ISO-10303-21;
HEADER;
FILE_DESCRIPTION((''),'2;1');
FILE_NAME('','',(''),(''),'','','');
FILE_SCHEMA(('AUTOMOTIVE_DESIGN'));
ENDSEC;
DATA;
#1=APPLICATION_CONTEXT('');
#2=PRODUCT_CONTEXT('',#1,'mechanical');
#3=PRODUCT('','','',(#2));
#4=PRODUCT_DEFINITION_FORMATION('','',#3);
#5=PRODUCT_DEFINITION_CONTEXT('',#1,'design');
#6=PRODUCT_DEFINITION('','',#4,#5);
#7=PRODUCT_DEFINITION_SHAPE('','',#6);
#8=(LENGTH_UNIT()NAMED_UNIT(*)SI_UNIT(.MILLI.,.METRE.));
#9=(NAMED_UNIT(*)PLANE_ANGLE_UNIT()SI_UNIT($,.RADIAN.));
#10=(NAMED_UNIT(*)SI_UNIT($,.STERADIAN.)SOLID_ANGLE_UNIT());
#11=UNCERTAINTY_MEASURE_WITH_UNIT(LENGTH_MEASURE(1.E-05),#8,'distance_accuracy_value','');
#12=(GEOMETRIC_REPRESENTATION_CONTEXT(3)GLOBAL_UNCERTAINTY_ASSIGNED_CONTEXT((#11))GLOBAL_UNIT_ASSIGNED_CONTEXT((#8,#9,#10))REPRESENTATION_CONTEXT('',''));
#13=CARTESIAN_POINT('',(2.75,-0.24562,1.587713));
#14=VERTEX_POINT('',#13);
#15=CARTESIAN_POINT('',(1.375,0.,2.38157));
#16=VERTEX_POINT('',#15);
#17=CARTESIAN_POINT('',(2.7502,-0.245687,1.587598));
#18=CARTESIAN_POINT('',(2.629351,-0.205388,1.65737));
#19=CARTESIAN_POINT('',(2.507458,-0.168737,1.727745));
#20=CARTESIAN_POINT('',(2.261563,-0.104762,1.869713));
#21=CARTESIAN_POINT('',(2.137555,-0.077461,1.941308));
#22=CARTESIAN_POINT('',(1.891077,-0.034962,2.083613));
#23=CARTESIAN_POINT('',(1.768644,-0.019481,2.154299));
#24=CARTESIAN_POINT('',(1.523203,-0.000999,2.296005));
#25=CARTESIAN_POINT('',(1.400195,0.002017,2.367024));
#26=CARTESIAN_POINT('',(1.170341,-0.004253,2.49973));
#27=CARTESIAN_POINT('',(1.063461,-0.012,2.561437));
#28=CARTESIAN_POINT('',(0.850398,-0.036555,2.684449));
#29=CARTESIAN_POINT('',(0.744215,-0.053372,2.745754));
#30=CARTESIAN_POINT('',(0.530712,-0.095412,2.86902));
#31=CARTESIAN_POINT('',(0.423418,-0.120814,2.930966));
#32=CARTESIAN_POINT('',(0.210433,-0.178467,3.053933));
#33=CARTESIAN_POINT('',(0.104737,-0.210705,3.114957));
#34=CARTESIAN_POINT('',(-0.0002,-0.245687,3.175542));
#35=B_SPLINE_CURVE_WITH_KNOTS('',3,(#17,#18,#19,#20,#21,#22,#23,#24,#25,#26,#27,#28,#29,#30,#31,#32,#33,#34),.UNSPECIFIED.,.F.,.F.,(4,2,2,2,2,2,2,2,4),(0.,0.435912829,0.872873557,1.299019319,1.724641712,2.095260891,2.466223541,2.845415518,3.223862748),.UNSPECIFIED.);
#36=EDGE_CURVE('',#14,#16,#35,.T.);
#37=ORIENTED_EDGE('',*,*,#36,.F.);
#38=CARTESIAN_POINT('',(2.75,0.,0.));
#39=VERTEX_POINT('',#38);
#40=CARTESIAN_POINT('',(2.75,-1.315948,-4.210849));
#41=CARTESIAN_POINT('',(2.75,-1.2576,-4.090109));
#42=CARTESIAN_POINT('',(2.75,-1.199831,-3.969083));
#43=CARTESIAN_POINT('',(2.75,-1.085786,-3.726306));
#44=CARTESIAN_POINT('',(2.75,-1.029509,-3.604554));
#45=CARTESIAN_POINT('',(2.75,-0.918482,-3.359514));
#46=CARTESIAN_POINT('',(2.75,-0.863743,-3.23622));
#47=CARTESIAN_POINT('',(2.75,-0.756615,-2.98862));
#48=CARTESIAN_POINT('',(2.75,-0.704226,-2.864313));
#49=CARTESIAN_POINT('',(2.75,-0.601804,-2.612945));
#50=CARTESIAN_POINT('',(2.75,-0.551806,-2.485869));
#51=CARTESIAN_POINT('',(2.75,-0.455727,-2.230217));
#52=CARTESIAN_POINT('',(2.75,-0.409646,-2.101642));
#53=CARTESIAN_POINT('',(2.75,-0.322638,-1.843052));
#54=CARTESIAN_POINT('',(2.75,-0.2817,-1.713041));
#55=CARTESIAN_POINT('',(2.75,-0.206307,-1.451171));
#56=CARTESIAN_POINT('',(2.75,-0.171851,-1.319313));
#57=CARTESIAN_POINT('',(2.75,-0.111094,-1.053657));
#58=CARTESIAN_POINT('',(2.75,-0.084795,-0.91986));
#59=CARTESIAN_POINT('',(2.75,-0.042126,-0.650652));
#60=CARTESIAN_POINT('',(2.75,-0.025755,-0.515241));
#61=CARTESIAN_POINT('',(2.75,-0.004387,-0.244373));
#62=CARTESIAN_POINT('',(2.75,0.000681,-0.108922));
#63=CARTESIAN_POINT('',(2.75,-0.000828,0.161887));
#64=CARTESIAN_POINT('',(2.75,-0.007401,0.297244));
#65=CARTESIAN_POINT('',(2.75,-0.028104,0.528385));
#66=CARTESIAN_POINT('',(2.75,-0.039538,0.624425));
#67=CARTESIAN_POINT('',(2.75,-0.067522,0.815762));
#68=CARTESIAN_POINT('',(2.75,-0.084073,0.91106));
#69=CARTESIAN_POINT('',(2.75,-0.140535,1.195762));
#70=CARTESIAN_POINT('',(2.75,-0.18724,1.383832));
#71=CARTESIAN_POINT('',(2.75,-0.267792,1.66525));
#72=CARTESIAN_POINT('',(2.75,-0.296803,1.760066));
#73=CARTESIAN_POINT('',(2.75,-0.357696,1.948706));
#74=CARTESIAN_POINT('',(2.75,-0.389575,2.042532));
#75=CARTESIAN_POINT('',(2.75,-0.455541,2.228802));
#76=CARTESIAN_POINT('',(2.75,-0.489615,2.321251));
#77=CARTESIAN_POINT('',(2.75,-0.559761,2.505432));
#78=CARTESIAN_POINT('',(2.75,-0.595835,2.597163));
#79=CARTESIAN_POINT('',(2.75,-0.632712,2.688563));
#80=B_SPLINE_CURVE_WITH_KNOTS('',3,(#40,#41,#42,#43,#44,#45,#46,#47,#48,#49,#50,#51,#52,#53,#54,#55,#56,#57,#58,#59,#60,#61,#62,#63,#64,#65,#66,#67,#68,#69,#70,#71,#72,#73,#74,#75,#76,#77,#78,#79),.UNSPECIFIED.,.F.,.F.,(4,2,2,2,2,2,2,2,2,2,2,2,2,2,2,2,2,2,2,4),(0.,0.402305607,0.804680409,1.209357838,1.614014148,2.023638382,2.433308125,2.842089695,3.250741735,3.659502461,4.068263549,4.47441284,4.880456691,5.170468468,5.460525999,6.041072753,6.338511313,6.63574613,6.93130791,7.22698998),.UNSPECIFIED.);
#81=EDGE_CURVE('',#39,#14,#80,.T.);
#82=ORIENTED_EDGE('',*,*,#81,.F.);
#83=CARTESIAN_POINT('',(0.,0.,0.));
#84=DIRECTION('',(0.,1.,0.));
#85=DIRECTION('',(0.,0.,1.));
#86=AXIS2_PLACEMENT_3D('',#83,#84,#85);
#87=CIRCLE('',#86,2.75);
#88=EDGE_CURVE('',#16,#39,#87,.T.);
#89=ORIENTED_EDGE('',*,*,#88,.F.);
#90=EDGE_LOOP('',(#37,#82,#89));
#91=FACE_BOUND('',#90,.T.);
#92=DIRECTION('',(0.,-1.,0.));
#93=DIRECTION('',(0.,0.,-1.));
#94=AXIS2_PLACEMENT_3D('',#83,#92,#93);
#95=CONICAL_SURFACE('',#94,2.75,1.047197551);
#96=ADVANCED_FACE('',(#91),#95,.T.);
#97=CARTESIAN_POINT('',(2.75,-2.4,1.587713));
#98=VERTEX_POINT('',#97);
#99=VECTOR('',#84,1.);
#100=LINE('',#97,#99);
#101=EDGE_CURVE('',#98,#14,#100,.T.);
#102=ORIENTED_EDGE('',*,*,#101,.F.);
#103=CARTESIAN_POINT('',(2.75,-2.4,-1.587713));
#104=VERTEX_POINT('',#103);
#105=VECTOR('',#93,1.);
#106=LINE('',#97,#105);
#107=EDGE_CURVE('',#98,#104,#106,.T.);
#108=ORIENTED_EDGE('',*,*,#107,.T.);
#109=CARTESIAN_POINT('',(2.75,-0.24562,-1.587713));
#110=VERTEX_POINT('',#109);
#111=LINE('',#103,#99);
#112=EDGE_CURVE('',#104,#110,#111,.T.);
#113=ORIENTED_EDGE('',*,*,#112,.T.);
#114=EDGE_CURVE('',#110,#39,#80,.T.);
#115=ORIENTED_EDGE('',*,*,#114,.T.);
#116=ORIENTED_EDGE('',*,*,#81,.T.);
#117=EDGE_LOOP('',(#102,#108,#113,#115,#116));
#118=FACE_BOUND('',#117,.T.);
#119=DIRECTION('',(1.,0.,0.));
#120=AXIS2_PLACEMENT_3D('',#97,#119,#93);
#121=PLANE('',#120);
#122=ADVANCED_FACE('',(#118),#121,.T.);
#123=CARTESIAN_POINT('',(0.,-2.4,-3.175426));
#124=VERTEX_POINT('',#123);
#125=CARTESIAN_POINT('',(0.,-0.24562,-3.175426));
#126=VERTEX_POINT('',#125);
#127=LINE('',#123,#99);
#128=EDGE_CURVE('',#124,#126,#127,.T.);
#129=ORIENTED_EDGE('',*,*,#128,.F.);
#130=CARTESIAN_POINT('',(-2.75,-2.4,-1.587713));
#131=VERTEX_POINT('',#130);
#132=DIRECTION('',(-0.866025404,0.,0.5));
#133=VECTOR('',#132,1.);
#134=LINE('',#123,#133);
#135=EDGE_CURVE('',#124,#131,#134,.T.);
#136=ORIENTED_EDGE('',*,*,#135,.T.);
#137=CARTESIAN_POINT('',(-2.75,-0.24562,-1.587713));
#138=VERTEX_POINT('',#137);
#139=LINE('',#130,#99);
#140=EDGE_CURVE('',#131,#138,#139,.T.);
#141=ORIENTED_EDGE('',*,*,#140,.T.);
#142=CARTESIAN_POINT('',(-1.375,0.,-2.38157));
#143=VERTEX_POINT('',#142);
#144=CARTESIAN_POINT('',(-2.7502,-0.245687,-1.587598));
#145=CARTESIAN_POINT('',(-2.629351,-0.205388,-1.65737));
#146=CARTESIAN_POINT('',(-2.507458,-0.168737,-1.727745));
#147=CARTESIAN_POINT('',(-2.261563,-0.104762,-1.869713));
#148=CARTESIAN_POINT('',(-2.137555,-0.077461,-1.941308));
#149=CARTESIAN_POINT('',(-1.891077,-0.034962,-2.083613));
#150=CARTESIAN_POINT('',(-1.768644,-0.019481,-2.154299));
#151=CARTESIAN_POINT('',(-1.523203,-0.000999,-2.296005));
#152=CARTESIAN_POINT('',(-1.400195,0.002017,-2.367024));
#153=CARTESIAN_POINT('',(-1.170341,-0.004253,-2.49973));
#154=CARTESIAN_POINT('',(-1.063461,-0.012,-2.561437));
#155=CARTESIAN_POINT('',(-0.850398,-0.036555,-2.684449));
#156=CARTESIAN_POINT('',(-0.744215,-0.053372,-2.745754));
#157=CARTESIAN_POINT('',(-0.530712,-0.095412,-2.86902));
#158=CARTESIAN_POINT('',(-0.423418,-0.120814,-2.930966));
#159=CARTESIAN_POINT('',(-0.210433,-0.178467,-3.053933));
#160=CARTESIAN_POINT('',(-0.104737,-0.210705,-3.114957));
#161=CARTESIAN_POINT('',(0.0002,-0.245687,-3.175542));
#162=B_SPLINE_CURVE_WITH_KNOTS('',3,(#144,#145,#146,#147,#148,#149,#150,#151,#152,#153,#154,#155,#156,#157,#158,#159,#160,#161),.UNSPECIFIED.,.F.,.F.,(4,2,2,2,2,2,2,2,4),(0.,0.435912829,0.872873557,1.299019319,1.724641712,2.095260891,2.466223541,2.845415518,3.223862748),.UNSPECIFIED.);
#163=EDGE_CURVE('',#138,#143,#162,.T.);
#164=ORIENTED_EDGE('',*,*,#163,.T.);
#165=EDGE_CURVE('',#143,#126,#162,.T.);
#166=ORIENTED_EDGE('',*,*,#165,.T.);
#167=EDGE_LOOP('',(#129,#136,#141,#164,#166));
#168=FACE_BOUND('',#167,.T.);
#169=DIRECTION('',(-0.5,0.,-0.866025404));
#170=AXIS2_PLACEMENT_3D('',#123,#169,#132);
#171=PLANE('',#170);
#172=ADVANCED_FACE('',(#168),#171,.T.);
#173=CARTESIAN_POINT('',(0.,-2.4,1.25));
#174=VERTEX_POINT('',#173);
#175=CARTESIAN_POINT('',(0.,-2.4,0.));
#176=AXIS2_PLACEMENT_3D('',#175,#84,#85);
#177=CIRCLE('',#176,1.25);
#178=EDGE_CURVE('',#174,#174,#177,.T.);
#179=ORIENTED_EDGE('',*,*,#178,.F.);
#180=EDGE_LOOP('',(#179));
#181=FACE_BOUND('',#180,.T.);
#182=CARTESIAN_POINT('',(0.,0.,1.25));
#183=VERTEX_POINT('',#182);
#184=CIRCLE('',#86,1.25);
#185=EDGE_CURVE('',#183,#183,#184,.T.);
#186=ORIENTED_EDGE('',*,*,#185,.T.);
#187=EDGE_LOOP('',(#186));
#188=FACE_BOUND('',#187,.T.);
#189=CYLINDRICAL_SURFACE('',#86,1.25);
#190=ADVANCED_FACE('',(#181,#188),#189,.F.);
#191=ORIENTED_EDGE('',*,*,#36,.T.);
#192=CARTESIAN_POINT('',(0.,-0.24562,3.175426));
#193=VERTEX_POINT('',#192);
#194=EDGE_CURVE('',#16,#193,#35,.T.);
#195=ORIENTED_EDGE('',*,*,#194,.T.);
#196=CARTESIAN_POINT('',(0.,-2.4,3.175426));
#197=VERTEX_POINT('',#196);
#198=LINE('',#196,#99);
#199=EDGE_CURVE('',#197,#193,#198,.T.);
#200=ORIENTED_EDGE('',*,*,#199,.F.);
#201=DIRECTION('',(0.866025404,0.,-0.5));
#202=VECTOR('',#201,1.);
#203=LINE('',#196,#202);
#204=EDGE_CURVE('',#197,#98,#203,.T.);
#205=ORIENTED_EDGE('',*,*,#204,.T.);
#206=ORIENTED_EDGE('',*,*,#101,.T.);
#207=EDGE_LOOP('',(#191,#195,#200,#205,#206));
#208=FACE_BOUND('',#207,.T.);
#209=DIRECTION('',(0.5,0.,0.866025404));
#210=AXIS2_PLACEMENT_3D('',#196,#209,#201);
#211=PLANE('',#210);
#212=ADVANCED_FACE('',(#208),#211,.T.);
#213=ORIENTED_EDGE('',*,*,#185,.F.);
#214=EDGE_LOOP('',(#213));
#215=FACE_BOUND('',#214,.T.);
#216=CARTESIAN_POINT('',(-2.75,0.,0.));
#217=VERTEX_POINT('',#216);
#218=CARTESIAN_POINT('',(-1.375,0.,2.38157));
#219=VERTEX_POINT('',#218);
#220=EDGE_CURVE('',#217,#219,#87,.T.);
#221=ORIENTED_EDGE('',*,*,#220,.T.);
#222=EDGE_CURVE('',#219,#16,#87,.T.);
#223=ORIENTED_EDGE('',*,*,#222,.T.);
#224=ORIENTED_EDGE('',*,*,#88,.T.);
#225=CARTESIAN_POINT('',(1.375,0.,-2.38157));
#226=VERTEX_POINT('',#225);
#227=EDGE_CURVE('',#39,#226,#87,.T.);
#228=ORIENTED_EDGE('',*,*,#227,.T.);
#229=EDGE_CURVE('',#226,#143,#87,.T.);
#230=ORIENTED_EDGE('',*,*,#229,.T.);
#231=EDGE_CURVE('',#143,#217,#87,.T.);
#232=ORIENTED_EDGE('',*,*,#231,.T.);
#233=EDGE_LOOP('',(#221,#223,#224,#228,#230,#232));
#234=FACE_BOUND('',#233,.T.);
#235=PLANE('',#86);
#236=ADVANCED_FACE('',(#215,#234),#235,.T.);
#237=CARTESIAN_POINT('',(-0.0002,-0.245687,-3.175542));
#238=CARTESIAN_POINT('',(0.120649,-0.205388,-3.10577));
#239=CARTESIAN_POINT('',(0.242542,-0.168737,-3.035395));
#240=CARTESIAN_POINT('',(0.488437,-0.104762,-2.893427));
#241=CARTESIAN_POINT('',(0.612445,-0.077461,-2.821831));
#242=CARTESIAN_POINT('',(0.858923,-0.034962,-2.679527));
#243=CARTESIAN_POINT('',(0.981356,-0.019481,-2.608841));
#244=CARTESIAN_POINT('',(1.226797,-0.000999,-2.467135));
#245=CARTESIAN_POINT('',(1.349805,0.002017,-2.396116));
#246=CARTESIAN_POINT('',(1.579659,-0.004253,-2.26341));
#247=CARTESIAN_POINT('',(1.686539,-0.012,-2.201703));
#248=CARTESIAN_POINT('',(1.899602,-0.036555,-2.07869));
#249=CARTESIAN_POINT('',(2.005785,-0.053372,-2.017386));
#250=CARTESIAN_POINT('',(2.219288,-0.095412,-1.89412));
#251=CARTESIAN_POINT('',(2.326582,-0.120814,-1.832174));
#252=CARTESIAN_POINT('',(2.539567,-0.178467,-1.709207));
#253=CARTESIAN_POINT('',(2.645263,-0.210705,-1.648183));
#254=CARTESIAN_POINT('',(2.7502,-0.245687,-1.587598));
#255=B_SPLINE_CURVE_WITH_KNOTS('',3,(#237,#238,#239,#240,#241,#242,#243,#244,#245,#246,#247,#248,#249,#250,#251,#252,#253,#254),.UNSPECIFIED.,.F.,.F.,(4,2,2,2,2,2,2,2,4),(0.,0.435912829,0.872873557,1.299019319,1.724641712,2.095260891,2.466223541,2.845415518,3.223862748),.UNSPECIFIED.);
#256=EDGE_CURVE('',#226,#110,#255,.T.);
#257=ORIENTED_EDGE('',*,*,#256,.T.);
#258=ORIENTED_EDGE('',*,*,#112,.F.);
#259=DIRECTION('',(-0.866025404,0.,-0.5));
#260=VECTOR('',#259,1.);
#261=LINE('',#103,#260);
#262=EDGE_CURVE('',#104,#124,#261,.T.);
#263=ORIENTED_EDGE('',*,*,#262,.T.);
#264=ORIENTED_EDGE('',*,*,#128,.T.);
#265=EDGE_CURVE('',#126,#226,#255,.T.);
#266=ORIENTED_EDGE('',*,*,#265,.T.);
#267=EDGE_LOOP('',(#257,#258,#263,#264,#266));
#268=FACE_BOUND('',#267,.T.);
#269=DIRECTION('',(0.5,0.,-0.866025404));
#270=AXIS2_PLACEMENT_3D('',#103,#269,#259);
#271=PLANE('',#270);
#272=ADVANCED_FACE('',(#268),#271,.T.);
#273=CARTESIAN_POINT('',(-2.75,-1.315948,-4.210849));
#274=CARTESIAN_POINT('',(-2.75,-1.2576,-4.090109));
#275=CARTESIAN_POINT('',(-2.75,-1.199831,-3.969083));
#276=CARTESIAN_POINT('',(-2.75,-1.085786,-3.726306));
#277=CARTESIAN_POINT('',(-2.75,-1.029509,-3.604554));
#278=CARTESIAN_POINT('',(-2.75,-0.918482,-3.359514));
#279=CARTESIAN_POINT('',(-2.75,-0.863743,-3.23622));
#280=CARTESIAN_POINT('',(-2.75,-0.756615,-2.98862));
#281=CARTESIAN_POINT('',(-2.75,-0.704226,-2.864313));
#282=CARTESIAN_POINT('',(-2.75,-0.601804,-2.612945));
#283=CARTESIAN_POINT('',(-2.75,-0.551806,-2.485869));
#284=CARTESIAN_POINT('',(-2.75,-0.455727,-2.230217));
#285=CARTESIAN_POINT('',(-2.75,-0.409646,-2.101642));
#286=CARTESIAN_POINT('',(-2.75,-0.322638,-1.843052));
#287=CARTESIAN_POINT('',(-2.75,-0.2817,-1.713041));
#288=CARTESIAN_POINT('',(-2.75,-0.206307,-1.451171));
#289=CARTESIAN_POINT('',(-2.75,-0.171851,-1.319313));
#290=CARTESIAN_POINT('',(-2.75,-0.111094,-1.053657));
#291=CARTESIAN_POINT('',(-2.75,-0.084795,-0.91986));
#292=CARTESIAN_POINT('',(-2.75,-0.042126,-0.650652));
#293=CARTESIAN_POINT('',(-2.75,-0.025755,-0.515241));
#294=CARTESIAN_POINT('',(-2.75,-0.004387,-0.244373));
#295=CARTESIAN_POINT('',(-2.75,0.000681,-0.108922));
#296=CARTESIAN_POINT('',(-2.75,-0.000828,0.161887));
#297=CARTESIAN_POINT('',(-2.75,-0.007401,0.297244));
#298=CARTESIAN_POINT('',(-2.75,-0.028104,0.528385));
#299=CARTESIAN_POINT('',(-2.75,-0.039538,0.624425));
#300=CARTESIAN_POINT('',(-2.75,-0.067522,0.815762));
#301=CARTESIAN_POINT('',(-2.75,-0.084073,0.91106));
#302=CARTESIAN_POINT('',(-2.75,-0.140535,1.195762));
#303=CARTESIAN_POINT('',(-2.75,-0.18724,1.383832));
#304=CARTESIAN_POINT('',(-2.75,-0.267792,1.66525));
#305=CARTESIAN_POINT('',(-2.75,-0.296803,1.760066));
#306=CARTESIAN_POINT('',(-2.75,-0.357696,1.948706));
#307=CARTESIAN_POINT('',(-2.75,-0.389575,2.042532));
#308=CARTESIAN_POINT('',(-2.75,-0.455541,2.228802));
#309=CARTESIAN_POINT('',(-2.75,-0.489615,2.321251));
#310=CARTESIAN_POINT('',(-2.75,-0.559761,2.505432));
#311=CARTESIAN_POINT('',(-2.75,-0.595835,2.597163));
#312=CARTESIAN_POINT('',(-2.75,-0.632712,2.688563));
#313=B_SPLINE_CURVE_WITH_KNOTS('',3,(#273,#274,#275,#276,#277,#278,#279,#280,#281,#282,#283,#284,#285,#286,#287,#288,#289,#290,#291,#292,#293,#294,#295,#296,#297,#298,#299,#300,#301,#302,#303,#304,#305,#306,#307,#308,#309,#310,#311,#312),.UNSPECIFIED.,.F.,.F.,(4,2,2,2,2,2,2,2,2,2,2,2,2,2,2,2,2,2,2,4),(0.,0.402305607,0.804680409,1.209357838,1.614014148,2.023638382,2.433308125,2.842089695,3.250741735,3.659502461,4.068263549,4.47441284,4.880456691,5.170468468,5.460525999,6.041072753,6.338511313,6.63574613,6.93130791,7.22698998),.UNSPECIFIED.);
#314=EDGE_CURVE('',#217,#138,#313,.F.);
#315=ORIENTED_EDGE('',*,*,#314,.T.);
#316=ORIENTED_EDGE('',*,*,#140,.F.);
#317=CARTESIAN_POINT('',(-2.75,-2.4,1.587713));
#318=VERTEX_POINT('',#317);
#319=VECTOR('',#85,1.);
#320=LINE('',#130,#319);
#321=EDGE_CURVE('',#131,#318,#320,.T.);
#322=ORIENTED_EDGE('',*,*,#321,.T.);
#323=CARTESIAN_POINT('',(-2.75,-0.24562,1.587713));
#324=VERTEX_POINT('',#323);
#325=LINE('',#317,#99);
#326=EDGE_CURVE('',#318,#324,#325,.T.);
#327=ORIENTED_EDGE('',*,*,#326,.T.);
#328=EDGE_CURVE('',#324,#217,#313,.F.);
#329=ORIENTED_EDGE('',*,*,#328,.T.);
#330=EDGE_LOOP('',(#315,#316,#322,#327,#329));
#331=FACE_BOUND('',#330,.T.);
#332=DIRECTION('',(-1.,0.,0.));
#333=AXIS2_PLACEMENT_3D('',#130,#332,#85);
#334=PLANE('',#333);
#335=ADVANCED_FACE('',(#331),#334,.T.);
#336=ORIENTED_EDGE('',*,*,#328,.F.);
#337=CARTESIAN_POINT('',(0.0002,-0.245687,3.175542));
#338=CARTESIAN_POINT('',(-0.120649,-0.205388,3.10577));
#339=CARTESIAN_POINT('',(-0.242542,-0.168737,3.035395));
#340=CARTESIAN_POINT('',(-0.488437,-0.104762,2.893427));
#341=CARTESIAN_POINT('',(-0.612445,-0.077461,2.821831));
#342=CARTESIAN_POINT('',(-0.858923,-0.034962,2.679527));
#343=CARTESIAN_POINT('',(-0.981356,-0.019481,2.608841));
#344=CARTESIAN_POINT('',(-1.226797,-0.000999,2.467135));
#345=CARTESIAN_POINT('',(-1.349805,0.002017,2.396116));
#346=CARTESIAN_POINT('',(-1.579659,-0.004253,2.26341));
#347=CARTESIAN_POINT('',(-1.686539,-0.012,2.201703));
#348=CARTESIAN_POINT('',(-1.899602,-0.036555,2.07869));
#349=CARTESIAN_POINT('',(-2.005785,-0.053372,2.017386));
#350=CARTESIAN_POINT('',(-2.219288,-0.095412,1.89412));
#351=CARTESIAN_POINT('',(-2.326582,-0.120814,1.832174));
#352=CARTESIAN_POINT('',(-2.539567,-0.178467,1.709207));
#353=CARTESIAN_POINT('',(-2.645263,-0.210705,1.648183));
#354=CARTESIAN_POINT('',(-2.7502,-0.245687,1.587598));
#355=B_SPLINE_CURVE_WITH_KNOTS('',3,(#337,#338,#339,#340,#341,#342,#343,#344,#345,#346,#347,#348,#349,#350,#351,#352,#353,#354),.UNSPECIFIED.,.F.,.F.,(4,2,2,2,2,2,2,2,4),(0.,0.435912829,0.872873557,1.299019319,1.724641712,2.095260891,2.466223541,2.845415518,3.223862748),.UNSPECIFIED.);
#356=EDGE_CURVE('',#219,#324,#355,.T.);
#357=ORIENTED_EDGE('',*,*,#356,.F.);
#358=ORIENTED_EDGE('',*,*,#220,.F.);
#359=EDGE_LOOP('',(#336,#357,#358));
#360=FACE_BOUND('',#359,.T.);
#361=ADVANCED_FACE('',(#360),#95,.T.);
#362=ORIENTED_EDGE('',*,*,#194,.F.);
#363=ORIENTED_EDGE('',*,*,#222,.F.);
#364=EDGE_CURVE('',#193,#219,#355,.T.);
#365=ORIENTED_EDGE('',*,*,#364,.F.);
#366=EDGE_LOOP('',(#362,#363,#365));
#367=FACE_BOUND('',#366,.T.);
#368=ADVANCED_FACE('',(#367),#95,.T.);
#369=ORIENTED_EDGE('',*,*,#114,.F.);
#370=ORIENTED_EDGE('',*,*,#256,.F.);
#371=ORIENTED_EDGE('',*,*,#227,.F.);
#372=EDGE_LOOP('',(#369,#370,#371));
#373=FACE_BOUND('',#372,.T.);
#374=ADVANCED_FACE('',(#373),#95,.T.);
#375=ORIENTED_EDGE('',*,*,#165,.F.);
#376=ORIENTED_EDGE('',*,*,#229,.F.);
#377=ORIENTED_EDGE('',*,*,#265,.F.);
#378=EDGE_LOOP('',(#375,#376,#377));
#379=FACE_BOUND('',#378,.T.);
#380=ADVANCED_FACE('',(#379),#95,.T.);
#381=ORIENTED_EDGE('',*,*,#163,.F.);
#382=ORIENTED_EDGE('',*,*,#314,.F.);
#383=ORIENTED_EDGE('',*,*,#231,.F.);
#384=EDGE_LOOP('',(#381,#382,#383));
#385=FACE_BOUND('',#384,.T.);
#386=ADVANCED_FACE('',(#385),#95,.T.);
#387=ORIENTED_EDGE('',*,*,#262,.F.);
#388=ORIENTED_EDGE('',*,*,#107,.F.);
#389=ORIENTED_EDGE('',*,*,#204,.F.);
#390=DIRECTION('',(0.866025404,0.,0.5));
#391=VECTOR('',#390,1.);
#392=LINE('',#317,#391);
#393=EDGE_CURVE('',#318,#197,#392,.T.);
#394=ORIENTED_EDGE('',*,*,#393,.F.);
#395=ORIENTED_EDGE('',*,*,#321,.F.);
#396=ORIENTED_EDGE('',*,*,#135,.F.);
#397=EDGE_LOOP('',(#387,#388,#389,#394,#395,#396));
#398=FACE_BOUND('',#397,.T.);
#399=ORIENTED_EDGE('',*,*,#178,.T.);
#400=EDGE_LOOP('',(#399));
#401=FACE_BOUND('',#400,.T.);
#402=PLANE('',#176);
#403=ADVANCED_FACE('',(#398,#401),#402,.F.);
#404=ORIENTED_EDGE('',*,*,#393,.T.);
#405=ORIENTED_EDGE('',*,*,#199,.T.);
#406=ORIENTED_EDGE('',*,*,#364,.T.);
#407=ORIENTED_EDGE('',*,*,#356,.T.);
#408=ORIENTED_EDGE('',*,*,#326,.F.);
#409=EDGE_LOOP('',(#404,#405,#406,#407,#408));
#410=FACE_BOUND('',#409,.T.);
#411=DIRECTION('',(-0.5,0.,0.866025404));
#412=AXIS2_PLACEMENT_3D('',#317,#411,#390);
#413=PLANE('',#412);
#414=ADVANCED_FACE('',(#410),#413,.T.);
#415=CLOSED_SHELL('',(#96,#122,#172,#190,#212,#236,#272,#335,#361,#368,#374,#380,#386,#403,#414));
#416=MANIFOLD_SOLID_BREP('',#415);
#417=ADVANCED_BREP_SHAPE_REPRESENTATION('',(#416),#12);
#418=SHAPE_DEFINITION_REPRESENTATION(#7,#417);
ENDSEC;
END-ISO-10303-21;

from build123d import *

# Parameters (mm, degrees)
BOSS_EXTRUDE1_DEPTH = 2.4
TAPPED_HOLE1_D      = 2.5


with BuildPart() as part:
    # Sketch1 → Boss-Extrude1 (new body)
    with BuildSketch(Plane(origin=(0, 0, 0), x_dir=(1, 0, 0), z_dir=(0, 1, 0))):
        Polygon((0, 3.175426481), (-2.75, 1.58771324), (-2.75, -1.58771324), (0, -3.175426481), (2.75, -1.58771324), (2.75, 1.58771324), align=None)
    extrude(amount=-BOSS_EXTRUDE1_DEPTH)

    # Sketch2 → Cut-Revolve1 (revolve, cut)
    with BuildSketch(Plane(origin=(0, 0, 0), x_dir=(0, 0, -1), z_dir=(1, 0, 0))):
        Polygon((2.75, 0), (3.175426481, 0), (3.175426481, -0.245620093), align=None)
    revolve(axis=Axis((0, 0, 0), (0, -1, 0)), mode=Mode.SUBTRACT)

    # Tapped Hole1 (through all)
    with Locations(Plane(origin=(0, 0, 0), x_dir=(1, 0, 0), z_dir=(0, 1, 0))):
        with Locations((0, 0)):
            Hole(TAPPED_HOLE1_D / 2)


solid = part.part
